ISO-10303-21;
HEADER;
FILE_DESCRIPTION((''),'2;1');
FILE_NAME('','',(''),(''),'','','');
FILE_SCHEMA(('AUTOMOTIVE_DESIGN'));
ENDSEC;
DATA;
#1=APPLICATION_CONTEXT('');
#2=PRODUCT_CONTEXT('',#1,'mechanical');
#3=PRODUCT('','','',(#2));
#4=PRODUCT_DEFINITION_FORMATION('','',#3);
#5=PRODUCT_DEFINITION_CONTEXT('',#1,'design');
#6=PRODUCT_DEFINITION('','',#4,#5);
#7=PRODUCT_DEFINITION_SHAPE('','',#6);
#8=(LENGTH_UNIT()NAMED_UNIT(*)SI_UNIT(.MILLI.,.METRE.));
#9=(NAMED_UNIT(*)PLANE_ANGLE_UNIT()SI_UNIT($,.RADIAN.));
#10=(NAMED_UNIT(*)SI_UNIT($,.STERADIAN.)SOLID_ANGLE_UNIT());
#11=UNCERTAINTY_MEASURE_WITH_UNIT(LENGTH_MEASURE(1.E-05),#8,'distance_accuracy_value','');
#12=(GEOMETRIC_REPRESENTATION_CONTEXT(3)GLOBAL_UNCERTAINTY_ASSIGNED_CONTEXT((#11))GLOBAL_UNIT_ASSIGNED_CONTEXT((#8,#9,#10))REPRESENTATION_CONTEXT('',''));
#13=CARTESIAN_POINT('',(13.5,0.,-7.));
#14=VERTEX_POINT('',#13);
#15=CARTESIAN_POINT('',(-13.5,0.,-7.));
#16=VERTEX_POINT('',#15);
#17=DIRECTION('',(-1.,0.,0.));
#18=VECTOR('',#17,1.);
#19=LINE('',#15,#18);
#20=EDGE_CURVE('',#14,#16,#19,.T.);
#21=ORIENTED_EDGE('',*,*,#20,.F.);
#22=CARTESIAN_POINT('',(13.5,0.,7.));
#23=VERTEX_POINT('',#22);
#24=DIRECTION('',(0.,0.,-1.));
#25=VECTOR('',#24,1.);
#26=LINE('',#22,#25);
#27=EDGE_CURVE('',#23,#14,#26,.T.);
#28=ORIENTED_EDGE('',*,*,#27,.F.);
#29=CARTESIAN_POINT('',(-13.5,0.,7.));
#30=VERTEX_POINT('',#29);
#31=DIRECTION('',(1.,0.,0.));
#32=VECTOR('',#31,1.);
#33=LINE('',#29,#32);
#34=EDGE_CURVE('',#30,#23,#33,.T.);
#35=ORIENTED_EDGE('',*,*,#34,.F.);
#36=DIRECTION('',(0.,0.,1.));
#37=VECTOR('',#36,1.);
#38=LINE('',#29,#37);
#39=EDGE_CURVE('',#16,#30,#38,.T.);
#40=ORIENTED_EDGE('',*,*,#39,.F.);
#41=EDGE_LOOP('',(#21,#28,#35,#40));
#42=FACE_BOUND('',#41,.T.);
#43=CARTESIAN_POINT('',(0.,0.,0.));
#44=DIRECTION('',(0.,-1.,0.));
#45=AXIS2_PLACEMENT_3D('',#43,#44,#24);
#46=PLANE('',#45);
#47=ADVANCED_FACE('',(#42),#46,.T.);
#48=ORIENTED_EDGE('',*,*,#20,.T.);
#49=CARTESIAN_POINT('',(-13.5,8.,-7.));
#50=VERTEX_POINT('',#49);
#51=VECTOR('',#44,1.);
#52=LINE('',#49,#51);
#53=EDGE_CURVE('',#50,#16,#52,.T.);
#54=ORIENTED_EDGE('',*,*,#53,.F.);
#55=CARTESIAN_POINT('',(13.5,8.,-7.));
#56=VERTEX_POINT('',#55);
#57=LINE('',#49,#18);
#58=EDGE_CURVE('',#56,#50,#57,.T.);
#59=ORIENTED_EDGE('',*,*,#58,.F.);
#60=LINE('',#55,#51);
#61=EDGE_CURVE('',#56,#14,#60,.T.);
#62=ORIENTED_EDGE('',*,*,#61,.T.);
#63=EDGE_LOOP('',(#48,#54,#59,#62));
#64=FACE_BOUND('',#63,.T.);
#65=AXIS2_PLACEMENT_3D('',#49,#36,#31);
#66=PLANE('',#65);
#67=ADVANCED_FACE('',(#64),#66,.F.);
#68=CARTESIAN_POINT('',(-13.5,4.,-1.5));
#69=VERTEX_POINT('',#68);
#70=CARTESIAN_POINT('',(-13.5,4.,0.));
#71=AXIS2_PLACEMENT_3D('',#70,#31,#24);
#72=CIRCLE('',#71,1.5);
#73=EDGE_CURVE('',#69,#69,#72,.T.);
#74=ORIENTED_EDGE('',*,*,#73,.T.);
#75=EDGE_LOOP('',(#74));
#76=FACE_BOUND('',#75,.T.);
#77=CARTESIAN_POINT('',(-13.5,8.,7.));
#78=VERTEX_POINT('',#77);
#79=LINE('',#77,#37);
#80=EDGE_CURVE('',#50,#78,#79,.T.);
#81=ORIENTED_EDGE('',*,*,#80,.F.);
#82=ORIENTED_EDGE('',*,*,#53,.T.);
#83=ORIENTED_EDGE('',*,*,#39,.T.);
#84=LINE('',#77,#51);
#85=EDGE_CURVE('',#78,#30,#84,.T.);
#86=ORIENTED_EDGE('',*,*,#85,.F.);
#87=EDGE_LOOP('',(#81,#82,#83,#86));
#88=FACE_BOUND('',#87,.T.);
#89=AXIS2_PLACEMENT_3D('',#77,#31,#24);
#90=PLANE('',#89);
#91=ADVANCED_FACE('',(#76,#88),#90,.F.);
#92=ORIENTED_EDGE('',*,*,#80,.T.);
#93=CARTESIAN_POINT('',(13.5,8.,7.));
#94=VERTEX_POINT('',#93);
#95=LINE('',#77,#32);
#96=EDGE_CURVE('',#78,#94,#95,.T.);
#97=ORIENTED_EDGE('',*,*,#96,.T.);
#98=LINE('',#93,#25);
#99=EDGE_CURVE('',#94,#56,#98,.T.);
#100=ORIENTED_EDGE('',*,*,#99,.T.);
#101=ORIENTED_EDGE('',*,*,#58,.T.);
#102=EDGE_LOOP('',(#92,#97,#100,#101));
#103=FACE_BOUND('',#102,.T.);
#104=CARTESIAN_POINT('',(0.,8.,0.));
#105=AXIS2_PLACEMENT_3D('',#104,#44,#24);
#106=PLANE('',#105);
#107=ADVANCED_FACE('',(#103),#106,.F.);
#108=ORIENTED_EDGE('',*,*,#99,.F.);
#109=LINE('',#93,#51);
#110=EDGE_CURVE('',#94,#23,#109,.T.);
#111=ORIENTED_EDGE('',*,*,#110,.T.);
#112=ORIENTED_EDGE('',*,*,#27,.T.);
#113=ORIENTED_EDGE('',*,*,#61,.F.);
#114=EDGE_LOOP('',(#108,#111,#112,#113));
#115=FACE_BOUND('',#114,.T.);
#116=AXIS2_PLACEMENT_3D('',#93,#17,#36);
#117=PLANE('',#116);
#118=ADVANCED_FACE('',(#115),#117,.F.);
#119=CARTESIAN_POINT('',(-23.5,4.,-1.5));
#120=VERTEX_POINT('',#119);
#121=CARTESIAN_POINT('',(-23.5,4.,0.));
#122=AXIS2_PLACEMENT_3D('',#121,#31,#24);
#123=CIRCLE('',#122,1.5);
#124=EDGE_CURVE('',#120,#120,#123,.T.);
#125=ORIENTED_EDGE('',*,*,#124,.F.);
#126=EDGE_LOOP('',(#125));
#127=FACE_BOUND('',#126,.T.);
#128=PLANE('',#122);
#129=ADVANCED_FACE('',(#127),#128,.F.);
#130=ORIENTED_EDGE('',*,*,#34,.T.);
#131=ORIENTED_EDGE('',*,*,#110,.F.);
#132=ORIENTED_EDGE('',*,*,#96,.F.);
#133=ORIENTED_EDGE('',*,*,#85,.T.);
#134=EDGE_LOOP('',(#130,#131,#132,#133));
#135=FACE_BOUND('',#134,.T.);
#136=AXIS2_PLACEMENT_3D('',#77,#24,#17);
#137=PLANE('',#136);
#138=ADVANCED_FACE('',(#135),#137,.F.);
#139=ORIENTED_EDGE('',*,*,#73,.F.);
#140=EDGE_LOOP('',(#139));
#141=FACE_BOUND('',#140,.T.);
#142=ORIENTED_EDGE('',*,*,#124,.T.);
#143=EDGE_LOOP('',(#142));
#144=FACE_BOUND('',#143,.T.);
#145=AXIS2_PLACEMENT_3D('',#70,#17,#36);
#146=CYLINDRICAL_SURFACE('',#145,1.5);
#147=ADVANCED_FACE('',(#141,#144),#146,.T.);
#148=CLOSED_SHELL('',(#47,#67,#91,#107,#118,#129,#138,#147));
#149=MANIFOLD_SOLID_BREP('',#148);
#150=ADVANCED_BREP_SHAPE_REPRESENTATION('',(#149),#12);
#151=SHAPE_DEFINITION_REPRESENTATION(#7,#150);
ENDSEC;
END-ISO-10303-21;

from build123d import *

# Parameters (mm, degrees)
SKETCH1_W       = 27
SKETCH1_H       = 14
HOUSING_DEPTH   = 8
WIRE_STUB_START = -23.5
SKETCH2_R       = 1.5
WIRE_STUB_DEPTH = 10


with BuildPart() as part:
    # Sketch1 → Housing (new body)
    with BuildSketch(Plane(origin=(0, 0, 0), x_dir=(1, 0, 0), z_dir=(0, 1, 0))):
        Rectangle(SKETCH1_W, SKETCH1_H)
    extrude(amount=HOUSING_DEPTH)

    # Sketch2 → Wire_Stub (add)
    with BuildSketch(Plane(origin=(0, 0, 0), x_dir=(0, 0, -1), z_dir=(1, 0, 0)).offset(WIRE_STUB_START)):
        with Locations((0, 4)):
            Circle(SKETCH2_R)
    extrude(amount=WIRE_STUB_DEPTH)


solid = part.part
